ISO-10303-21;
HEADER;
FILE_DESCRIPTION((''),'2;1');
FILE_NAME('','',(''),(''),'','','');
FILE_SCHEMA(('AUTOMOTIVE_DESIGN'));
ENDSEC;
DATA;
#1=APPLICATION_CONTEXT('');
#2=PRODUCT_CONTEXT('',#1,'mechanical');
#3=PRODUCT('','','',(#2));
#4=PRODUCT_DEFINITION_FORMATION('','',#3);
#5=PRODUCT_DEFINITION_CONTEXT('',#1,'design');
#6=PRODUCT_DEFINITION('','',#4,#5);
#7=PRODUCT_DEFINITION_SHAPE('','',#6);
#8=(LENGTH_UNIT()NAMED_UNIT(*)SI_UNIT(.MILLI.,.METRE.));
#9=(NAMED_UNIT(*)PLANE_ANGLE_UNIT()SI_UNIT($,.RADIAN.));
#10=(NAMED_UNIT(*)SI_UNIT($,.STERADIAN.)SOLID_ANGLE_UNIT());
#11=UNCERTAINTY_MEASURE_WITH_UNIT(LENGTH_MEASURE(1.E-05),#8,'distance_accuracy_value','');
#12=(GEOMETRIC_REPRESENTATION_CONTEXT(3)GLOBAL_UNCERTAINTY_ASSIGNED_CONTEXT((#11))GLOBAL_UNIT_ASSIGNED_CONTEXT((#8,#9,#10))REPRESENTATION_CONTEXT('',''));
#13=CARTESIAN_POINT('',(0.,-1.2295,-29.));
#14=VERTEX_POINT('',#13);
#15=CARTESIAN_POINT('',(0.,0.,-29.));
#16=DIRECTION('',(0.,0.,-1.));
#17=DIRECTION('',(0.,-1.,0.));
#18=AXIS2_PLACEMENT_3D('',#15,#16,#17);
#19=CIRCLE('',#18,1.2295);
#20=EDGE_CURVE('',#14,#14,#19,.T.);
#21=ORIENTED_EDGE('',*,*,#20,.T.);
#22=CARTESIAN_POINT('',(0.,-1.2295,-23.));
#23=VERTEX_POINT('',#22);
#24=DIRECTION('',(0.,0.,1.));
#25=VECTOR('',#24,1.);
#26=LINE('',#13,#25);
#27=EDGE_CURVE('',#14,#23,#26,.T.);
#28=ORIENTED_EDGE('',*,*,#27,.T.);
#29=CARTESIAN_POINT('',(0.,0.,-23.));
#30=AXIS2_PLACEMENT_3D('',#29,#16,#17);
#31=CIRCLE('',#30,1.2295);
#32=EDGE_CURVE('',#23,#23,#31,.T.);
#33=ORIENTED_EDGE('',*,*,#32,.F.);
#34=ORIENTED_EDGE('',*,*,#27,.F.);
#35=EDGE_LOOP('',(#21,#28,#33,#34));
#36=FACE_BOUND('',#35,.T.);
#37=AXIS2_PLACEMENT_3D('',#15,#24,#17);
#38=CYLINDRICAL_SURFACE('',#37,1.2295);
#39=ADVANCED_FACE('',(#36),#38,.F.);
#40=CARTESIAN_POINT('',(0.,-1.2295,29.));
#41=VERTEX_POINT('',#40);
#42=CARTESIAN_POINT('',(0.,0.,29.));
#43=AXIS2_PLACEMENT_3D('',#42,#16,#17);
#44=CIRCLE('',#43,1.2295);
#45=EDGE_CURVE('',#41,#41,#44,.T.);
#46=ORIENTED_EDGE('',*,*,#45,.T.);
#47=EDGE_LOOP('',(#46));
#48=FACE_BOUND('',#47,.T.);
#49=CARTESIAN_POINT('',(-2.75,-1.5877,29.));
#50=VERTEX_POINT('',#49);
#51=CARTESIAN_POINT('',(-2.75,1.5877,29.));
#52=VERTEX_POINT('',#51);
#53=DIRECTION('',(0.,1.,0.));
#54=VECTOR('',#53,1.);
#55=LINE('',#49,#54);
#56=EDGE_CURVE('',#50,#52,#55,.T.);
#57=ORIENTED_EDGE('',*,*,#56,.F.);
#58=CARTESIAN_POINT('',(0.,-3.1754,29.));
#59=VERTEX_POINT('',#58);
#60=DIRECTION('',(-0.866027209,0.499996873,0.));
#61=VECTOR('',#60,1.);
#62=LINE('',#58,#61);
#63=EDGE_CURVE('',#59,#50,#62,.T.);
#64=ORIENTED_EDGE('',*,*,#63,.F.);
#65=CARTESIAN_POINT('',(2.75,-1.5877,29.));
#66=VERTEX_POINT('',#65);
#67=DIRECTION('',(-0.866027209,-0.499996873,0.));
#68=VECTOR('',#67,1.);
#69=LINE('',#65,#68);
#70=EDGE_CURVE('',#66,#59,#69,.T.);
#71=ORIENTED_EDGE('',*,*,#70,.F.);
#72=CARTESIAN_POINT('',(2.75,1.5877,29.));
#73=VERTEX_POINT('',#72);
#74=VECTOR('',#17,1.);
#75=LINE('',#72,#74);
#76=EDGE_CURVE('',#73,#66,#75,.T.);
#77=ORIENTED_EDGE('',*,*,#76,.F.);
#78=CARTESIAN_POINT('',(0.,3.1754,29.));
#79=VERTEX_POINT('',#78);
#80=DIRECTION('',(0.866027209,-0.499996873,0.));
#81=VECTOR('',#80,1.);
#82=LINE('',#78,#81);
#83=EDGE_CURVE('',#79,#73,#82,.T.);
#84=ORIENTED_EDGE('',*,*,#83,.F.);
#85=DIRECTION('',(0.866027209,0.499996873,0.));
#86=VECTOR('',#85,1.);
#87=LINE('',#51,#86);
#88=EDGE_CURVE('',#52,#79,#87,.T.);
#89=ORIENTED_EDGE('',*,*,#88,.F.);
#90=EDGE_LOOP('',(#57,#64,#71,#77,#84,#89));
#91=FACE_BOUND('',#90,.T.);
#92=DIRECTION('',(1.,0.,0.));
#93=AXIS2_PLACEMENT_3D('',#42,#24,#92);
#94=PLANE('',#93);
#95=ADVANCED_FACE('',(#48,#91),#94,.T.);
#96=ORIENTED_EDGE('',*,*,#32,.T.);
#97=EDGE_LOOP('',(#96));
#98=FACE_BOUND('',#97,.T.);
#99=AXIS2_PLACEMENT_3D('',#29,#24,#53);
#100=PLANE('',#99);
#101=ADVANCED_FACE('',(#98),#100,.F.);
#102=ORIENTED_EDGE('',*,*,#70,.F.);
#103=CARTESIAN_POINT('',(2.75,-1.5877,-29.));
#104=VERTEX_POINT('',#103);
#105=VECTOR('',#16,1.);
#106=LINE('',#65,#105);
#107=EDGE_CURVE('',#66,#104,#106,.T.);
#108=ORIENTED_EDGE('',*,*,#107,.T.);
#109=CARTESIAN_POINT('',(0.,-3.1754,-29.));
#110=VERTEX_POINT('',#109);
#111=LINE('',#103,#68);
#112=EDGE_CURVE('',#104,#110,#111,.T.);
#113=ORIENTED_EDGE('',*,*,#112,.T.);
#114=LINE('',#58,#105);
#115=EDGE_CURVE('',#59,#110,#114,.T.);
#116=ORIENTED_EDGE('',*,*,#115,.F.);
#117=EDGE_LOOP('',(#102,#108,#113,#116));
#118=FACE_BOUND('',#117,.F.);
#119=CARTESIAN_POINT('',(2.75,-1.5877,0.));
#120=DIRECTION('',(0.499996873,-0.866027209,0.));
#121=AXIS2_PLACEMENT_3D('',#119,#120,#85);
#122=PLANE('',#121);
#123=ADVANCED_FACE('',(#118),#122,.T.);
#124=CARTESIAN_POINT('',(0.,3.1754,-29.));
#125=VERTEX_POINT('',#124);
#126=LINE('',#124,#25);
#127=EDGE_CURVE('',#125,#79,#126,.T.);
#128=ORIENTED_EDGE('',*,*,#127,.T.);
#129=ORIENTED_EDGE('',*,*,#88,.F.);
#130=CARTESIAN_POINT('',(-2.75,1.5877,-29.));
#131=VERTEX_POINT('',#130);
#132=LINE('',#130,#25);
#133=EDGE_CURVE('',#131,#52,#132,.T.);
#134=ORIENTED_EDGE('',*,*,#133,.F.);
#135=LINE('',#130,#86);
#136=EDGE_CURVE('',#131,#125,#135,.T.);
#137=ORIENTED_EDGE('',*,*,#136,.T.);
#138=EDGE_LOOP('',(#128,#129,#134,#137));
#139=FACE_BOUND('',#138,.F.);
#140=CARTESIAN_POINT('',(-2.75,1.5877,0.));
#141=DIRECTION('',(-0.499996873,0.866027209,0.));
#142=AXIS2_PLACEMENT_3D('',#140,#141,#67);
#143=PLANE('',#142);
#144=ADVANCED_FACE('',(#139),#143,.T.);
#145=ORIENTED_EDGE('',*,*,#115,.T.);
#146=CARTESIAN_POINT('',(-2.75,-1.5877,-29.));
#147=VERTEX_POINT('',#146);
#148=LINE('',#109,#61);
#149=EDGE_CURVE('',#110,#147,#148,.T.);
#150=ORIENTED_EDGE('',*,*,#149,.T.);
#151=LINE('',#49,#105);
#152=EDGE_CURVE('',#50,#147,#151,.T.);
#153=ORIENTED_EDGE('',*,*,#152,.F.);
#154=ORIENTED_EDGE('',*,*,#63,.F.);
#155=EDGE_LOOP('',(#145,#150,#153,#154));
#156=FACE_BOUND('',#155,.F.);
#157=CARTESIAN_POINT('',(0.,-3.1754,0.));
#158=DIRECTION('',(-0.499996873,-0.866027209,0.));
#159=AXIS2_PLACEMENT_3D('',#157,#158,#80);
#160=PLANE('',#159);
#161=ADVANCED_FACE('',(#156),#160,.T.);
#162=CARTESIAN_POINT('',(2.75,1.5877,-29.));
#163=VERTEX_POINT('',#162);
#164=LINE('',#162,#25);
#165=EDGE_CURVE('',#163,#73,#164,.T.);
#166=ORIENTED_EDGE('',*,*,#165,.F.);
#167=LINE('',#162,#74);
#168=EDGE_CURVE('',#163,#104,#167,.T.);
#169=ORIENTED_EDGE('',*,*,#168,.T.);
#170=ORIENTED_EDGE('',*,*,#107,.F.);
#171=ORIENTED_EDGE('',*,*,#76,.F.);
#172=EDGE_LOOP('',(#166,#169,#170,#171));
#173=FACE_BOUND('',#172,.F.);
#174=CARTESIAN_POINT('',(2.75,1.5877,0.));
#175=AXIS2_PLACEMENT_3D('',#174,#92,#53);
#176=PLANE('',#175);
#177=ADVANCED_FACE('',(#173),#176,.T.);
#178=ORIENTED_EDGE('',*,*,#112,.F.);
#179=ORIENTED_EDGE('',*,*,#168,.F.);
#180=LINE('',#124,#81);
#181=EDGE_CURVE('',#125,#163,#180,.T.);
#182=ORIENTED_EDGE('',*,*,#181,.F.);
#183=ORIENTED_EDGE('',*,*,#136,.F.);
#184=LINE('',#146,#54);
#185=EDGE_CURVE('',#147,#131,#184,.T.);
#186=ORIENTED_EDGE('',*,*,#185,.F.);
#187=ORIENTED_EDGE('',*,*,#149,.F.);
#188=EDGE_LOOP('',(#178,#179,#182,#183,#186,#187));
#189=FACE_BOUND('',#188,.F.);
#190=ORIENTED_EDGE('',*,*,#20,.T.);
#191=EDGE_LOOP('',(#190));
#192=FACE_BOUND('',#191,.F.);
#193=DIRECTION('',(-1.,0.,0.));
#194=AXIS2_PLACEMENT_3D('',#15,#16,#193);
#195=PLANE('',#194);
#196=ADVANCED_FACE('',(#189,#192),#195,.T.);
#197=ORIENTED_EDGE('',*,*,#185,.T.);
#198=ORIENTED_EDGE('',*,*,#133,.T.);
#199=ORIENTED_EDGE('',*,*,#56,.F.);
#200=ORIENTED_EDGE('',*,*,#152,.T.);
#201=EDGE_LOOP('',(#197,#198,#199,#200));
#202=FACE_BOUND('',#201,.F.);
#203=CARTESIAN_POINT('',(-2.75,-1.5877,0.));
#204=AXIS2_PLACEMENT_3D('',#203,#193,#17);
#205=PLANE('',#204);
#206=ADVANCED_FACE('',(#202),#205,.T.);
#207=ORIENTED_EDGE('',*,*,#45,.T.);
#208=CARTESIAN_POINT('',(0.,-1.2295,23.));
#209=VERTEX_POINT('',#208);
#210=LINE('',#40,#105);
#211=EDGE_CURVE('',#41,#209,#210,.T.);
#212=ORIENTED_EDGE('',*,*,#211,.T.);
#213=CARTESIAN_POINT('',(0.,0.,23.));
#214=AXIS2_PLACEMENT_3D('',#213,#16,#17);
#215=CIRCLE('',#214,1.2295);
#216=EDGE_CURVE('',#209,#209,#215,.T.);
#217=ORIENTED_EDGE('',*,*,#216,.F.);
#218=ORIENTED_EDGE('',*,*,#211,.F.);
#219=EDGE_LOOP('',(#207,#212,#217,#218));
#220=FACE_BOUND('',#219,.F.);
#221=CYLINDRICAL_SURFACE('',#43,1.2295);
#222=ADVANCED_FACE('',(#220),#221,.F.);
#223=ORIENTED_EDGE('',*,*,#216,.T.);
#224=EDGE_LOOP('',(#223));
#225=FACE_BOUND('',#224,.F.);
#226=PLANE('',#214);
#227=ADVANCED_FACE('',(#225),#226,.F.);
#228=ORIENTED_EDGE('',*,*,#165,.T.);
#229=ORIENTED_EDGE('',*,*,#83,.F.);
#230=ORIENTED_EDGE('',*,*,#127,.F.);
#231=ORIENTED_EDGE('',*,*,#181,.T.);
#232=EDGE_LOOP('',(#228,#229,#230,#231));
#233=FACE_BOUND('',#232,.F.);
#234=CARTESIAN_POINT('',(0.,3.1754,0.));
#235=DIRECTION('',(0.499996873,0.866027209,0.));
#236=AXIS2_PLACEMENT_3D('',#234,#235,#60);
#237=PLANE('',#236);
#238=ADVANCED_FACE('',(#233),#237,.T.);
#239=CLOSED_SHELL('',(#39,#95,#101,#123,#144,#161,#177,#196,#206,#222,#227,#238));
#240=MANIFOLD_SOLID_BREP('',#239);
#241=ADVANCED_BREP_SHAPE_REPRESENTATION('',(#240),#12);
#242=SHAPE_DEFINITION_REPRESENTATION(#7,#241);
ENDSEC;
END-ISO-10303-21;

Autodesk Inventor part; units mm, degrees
ref_plane "YZ Plane" through (0, 0, 0) normal (1, 0, 0) x (0, 1, 0)
ref_plane "XZ Plane" through (0, 0, 0) normal (0, 1, 0) x (-1, 0, 0)
ref_plane "XY Plane" through (0, 0, 0) normal (0, 0, 1) x (1, 0, 0)
sketch "スケッチ1" plane through (0, 0, 0) normal (0, 0, 1) x (1, 0, 0)
  line L0 (2.75, 1.5877) -> (2.75, -1.5877)
  line L1 (2.75, -1.5877) -> (0, -3.1754)
  line L2 (0, -3.1754) -> (-2.75, -1.5877)
  line L3 (-2.75, -1.5877) -> (-2.75, 1.5877)
  line L4 (-2.75, 1.5877) -> (0, 3.1754)
  line L5 (0, 3.1754) -> (2.75, 1.5877)
  point P0 (0, 0)
  point P1 (0, 0)
  dimension "d0" = 5.5
extrude "押し出し1" add sketch "スケッチ1" along normal blind 29
sketch "スケッチ2" plane through (0, 0, 29) normal (0, 0, 1) x (1, 0, 0)
  point P0 (0, 0)
  point P1 (0, 0)
hole "穴1" at (0, 0, 29) direction (0, 0, -1) diameter 2.459 depth 6 thread size "M3x0.5" class "6H" standard "ISO Metric profile"
mirror "ミラー1" about plane through (0, 0, 0) normal (0, 0, -1) of "押し出し1", "穴1"
properties part number "ASU-340" material "ステンレス鋼 AISI 304"
